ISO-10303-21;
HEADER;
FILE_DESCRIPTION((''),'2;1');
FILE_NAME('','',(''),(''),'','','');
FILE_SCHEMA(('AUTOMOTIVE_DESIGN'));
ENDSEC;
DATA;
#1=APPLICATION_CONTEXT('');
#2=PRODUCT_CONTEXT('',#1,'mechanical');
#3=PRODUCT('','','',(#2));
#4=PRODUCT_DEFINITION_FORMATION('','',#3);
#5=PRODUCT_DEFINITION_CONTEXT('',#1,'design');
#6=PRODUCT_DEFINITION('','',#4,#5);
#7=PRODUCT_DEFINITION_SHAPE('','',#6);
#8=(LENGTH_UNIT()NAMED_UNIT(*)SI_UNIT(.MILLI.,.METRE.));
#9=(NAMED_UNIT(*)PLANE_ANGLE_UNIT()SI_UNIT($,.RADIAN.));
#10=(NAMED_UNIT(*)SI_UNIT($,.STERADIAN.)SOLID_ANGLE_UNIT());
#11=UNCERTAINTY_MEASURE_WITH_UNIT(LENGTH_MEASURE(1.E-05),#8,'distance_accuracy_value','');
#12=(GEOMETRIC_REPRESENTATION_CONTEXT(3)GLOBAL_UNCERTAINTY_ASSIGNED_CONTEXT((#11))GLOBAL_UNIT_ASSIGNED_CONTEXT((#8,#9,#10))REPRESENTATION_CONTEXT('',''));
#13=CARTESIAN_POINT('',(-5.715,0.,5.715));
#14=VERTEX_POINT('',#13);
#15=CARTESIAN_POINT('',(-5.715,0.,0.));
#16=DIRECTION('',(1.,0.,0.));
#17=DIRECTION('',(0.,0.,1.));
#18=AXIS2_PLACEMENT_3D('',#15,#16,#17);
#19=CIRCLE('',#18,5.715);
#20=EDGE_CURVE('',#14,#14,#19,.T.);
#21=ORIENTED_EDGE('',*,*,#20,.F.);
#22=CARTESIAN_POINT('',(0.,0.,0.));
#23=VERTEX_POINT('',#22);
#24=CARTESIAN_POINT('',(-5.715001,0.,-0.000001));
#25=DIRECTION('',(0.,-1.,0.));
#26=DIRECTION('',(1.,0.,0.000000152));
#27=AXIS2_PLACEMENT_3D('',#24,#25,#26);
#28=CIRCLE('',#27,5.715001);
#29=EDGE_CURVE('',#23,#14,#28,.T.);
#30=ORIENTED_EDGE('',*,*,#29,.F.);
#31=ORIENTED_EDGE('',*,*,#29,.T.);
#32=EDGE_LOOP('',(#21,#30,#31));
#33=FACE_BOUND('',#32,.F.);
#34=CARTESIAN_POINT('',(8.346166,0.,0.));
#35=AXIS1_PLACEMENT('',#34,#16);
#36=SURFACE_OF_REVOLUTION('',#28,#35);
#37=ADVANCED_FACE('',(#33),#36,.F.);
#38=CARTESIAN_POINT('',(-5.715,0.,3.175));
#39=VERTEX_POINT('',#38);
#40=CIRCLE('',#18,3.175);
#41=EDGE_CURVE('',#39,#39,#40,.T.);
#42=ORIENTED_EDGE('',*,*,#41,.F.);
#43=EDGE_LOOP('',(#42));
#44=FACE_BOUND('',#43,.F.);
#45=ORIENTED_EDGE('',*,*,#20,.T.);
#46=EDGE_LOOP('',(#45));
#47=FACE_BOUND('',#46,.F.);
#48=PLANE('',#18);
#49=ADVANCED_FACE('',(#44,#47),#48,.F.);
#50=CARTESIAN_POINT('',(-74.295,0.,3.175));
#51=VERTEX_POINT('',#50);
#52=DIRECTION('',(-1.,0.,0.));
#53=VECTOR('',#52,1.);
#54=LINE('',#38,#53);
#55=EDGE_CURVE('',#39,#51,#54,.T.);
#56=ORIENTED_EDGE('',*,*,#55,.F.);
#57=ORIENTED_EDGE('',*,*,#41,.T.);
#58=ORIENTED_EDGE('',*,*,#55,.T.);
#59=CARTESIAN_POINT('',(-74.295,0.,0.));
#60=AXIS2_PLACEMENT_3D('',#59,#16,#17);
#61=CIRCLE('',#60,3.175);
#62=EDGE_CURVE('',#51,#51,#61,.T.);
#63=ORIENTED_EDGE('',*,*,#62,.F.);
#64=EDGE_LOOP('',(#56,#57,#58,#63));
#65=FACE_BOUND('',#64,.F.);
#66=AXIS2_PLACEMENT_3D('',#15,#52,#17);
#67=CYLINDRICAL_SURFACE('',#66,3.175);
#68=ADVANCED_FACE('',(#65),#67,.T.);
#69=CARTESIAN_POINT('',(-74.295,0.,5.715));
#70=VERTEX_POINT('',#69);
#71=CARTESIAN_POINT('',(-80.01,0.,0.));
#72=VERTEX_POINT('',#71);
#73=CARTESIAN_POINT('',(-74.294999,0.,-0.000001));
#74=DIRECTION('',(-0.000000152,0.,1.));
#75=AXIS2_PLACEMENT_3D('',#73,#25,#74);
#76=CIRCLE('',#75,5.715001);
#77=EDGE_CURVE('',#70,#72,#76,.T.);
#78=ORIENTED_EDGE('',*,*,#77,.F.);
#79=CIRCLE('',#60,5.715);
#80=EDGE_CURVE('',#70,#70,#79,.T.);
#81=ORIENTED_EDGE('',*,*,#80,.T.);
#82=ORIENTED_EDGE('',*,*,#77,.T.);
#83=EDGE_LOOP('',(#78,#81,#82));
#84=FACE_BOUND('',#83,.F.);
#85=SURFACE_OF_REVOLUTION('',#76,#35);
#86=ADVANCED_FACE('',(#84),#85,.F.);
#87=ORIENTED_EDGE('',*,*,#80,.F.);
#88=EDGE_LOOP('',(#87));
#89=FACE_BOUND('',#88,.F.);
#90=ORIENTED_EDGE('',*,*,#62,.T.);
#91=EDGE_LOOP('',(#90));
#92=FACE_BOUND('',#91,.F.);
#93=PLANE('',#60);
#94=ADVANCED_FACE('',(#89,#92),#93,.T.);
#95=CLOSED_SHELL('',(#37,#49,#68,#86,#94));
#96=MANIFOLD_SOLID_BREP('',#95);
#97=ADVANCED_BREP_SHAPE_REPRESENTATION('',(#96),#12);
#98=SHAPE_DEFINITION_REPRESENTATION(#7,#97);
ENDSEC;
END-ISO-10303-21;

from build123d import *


with BuildPart() as f1:
    # F0 (on Front) → F1 (revolve)
    with BuildSketch(Plane.XZ):
        with BuildLine():
            Line((-74.295, 3.175), (-74.295, 5.715))
            ThreePointArc((-74.295, 5.715), (-78.336115, 4.041115), (-80.01, 0))
            Line((-80.01, 0), (0, 0))
            ThreePointArc((0, 0), (-1.673885, 4.041115), (-5.715, 5.715))
            Line((-5.715, 5.715), (-5.715, 3.175))
            Line((-5.715, 3.175), (-74.295, 3.175))
        make_face()
    revolve(axis=Axis((8.346166, 0, 0), (1, 0, 0)))


solid = f1.part
